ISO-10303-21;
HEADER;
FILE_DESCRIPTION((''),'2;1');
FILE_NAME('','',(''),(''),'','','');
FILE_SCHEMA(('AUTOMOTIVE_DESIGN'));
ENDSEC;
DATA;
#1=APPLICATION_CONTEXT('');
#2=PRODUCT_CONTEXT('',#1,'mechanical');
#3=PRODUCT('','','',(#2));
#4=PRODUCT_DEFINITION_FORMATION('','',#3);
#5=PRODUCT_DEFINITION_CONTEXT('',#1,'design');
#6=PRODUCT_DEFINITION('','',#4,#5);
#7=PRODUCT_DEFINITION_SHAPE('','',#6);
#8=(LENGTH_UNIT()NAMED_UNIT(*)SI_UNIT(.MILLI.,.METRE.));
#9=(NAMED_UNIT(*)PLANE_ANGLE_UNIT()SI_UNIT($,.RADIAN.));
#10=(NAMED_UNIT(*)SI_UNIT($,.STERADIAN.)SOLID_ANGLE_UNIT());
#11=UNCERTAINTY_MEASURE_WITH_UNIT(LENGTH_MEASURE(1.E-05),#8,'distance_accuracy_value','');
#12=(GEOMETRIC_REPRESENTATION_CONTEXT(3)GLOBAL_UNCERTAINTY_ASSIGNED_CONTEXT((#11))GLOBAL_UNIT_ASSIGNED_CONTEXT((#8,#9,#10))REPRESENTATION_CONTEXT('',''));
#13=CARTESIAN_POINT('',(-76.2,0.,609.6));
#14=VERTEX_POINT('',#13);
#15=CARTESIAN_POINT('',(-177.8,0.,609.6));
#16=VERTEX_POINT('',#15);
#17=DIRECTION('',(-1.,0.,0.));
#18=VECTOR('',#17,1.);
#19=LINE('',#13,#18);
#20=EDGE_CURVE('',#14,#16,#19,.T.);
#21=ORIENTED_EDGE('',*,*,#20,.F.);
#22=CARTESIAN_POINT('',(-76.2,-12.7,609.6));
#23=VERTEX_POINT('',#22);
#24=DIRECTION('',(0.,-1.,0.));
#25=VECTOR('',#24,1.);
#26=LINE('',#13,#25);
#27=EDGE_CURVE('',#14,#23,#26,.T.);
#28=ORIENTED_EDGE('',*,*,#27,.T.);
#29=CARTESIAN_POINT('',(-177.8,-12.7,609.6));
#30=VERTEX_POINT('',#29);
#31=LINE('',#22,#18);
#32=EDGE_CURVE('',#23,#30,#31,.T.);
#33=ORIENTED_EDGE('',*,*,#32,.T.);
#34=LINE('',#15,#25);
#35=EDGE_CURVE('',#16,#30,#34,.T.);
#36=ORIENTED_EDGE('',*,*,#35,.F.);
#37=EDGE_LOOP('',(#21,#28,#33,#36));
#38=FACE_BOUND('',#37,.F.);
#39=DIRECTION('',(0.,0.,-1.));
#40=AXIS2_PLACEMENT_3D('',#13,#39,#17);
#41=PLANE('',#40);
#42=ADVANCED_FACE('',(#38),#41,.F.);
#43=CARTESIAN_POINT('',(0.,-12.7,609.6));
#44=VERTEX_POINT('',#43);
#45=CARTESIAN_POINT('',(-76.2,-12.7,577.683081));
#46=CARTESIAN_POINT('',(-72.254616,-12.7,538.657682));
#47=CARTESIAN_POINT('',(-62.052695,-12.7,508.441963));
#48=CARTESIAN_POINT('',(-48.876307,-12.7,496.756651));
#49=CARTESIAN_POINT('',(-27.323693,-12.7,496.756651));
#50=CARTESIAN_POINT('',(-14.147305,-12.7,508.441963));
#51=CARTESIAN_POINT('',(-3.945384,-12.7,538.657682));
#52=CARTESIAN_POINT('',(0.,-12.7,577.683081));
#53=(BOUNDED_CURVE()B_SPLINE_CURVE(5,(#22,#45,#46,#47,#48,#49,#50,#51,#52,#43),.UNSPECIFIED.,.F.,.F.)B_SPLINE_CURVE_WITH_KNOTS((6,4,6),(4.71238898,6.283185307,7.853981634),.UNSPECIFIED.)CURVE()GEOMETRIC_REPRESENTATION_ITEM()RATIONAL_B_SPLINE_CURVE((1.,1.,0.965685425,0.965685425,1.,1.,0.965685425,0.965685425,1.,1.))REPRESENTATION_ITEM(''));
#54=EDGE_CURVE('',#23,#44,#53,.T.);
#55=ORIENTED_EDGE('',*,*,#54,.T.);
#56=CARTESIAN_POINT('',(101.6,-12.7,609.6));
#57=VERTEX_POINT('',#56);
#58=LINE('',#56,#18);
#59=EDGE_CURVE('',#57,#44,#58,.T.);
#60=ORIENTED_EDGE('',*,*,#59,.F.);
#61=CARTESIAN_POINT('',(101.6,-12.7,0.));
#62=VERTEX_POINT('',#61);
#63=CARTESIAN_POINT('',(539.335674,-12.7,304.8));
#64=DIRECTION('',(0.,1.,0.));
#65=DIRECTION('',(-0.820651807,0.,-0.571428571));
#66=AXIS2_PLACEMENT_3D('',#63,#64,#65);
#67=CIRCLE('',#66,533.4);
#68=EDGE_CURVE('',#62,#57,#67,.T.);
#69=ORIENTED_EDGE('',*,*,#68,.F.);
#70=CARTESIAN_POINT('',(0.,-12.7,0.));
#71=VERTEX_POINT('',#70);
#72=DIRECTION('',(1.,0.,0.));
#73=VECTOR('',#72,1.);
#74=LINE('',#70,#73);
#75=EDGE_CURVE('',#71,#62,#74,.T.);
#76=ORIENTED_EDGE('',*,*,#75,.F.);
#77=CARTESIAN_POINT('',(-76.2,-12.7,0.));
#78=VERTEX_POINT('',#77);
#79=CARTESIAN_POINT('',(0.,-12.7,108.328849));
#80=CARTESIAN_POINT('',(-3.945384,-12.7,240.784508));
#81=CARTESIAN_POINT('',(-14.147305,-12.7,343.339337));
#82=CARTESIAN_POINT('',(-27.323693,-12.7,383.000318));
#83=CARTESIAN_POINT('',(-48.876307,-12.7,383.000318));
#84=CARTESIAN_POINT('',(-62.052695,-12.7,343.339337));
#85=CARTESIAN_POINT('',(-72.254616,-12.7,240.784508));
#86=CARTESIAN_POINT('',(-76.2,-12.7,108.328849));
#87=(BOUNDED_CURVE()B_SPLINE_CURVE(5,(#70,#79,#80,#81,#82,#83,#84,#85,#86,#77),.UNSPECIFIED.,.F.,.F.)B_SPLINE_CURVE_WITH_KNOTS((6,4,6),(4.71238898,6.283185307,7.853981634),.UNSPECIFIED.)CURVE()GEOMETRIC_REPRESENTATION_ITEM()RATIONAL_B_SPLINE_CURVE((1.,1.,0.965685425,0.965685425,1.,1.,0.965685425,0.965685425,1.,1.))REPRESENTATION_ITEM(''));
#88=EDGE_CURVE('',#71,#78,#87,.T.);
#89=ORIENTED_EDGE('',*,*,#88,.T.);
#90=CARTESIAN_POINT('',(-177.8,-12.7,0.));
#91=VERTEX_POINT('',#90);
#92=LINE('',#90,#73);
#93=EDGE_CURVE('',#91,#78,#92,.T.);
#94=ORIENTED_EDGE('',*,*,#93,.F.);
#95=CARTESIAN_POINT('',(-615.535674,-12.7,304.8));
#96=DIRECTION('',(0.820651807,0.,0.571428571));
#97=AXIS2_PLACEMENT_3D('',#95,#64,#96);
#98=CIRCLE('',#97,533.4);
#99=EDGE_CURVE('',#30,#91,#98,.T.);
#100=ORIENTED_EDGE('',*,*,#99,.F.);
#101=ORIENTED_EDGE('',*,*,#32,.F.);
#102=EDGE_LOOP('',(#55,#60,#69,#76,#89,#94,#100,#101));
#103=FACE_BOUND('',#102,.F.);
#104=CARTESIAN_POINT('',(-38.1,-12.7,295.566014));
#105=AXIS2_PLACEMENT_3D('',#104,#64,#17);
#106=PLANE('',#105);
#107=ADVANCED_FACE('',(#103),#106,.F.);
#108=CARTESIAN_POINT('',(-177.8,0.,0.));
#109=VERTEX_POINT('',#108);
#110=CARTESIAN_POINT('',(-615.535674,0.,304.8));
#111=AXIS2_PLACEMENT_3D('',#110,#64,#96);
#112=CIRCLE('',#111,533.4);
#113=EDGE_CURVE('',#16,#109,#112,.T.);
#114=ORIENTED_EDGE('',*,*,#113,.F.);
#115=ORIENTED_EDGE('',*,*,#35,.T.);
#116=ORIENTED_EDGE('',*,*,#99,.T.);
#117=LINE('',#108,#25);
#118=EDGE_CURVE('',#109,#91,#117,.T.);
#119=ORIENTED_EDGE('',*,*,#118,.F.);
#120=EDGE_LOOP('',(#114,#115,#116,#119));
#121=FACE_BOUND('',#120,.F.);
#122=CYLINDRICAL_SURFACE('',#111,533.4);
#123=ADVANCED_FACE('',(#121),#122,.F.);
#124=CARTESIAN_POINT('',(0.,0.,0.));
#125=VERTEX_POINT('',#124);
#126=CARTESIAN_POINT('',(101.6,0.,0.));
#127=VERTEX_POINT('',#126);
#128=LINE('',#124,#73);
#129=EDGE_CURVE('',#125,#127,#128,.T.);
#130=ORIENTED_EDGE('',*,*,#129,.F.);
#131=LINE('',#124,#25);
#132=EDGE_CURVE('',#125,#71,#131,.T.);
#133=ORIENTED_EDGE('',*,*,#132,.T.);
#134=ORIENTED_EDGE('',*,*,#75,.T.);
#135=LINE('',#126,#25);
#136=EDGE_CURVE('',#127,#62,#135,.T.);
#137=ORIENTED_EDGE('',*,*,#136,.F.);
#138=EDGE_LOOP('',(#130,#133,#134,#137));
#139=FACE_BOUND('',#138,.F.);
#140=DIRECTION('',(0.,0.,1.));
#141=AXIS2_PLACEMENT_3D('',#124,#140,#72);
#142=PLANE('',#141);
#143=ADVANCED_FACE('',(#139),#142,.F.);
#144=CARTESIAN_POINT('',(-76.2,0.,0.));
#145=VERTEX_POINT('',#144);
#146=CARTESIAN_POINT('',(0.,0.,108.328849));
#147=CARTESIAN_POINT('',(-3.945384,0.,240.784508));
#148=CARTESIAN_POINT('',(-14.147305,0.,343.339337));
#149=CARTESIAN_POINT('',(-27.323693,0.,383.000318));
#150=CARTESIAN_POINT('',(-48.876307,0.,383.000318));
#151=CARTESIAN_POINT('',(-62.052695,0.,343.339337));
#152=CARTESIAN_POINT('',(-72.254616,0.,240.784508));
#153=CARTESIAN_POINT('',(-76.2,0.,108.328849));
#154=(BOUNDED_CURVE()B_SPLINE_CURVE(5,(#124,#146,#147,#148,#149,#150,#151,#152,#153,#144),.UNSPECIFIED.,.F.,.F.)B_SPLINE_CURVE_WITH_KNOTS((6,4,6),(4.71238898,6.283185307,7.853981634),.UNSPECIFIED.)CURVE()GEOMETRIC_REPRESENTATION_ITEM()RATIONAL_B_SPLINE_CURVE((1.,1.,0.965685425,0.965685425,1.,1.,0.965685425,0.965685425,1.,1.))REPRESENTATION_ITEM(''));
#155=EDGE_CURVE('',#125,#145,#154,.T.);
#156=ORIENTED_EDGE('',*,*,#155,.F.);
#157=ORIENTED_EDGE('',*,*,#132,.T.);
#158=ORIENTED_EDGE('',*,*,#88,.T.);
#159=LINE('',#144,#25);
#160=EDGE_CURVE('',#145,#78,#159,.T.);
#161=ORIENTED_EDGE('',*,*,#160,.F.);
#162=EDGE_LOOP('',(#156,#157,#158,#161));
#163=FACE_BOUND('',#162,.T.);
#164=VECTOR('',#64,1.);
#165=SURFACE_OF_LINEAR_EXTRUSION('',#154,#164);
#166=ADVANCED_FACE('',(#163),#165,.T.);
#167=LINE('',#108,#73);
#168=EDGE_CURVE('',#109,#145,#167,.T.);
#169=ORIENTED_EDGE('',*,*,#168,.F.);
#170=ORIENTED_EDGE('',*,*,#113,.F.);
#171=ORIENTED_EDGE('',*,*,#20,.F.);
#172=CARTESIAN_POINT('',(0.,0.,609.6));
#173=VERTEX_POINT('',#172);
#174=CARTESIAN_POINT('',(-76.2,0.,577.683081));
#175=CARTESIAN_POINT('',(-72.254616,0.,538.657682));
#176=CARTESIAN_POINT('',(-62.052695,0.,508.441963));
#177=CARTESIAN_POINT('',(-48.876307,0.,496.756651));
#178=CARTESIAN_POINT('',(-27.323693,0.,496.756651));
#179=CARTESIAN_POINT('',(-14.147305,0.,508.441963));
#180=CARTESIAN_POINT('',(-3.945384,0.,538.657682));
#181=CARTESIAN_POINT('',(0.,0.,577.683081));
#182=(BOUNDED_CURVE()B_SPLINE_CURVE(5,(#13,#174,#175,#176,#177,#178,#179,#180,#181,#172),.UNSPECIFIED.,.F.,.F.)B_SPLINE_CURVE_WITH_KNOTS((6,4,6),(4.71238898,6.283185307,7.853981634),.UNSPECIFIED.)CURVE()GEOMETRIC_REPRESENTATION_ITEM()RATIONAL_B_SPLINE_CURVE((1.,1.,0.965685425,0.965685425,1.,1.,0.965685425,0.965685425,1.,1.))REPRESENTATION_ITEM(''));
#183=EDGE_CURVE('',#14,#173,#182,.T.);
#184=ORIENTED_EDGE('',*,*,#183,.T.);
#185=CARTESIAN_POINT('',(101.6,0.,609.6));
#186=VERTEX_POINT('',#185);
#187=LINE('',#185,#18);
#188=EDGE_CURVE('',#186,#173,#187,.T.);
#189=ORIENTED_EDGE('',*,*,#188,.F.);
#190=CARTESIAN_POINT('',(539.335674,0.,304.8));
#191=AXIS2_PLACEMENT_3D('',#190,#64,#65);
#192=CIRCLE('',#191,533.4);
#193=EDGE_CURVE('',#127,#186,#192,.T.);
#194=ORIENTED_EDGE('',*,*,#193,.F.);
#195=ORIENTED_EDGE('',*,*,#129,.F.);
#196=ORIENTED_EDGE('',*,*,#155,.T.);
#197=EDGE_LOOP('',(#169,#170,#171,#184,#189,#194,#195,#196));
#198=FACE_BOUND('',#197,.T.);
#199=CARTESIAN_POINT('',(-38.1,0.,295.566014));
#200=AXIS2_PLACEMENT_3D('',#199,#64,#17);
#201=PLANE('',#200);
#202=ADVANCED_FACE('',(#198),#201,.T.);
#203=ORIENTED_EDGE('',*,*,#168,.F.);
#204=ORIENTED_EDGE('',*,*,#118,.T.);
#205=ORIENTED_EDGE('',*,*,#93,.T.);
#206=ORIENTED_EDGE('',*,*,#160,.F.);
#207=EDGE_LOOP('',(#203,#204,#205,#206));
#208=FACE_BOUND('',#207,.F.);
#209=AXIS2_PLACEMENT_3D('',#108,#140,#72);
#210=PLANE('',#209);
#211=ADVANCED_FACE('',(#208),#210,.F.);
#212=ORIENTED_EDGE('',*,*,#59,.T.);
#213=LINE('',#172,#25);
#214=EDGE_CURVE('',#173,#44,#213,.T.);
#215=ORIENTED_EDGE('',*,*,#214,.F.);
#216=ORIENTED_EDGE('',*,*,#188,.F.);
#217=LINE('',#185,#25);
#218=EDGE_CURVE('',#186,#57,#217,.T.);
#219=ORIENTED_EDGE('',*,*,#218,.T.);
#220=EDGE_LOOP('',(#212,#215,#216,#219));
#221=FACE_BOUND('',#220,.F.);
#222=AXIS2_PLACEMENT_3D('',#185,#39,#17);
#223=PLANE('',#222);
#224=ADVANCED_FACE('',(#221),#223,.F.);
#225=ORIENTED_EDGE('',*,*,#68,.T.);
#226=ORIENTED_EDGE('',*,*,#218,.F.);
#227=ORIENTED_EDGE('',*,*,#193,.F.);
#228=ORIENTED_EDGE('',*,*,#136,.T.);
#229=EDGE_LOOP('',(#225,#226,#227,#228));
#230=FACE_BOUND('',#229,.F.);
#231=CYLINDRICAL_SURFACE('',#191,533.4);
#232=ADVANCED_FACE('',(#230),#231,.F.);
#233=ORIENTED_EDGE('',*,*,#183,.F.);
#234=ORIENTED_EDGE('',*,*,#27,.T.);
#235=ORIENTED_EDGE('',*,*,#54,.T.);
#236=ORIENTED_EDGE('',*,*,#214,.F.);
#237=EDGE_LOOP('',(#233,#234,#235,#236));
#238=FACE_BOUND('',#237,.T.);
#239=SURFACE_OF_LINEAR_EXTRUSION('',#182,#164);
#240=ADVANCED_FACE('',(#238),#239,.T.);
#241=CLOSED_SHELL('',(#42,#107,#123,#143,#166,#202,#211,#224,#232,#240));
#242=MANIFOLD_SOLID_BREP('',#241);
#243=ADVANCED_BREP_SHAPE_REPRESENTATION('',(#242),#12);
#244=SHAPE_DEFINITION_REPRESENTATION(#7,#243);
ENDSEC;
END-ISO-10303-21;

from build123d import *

# Parameters (mm, degrees)
F1_DEPTH = 12.7


with BuildPart() as f1:
    # F0 (on Front) → F1 (new body)
    with BuildSketch(Plane.XZ):
        with BuildLine():
            add(Edge.make_bspline(
                [(0, 0), (0, 383.0003180913), (-38.1, 383.0003180913)],
                knots=[4.7123889804, 4.7123889804, 4.7123889804, 6.2831853072, 6.2831853072, 6.2831853072], degree=2, weights=[1, 0.7071067812, 1]))
            Line((0, 0), (101.6, 0))
            ThreePointArc((101.6, 0), (5.9356736662, 304.8), (101.6, 609.6))
            Line((101.6, 609.6), (0, 609.6))
            add(Edge.make_bspline(
                [(-38.1, 496.7566511893), (0, 496.7566511893), (0, 609.6)],
                knots=[3.1415926536, 3.1415926536, 3.1415926536, 4.7123889804, 4.7123889804, 4.7123889804], degree=2, weights=[1, 0.7071067812, 1]))
            add(Edge.make_bspline(
                [(-76.2, 609.6), (-76.2, 496.7566511893), (-38.1, 496.7566511893)],
                knots=[4.7123889804, 4.7123889804, 4.7123889804, 6.2831853072, 6.2831853072, 6.2831853072], degree=2, weights=[1, 0.7071067812, 1]))
            Line((-76.2, 609.6), (-177.8, 609.6))
            ThreePointArc((-177.8, 609.6), (-82.1356736662, 304.8), (-177.8, 0))
            Line((-177.8, 0), (-76.2, 0))
            add(Edge.make_bspline(
                [(-38.1, 383.0003180913), (-76.2, 383.0003180913), (-76.2, 0)],
                knots=[3.1415926536, 3.1415926536, 3.1415926536, 4.7123889804, 4.7123889804, 4.7123889804], degree=2, weights=[1, 0.7071067812, 1]))
        make_face()
    extrude(amount=F1_DEPTH)


solid = f1.part
